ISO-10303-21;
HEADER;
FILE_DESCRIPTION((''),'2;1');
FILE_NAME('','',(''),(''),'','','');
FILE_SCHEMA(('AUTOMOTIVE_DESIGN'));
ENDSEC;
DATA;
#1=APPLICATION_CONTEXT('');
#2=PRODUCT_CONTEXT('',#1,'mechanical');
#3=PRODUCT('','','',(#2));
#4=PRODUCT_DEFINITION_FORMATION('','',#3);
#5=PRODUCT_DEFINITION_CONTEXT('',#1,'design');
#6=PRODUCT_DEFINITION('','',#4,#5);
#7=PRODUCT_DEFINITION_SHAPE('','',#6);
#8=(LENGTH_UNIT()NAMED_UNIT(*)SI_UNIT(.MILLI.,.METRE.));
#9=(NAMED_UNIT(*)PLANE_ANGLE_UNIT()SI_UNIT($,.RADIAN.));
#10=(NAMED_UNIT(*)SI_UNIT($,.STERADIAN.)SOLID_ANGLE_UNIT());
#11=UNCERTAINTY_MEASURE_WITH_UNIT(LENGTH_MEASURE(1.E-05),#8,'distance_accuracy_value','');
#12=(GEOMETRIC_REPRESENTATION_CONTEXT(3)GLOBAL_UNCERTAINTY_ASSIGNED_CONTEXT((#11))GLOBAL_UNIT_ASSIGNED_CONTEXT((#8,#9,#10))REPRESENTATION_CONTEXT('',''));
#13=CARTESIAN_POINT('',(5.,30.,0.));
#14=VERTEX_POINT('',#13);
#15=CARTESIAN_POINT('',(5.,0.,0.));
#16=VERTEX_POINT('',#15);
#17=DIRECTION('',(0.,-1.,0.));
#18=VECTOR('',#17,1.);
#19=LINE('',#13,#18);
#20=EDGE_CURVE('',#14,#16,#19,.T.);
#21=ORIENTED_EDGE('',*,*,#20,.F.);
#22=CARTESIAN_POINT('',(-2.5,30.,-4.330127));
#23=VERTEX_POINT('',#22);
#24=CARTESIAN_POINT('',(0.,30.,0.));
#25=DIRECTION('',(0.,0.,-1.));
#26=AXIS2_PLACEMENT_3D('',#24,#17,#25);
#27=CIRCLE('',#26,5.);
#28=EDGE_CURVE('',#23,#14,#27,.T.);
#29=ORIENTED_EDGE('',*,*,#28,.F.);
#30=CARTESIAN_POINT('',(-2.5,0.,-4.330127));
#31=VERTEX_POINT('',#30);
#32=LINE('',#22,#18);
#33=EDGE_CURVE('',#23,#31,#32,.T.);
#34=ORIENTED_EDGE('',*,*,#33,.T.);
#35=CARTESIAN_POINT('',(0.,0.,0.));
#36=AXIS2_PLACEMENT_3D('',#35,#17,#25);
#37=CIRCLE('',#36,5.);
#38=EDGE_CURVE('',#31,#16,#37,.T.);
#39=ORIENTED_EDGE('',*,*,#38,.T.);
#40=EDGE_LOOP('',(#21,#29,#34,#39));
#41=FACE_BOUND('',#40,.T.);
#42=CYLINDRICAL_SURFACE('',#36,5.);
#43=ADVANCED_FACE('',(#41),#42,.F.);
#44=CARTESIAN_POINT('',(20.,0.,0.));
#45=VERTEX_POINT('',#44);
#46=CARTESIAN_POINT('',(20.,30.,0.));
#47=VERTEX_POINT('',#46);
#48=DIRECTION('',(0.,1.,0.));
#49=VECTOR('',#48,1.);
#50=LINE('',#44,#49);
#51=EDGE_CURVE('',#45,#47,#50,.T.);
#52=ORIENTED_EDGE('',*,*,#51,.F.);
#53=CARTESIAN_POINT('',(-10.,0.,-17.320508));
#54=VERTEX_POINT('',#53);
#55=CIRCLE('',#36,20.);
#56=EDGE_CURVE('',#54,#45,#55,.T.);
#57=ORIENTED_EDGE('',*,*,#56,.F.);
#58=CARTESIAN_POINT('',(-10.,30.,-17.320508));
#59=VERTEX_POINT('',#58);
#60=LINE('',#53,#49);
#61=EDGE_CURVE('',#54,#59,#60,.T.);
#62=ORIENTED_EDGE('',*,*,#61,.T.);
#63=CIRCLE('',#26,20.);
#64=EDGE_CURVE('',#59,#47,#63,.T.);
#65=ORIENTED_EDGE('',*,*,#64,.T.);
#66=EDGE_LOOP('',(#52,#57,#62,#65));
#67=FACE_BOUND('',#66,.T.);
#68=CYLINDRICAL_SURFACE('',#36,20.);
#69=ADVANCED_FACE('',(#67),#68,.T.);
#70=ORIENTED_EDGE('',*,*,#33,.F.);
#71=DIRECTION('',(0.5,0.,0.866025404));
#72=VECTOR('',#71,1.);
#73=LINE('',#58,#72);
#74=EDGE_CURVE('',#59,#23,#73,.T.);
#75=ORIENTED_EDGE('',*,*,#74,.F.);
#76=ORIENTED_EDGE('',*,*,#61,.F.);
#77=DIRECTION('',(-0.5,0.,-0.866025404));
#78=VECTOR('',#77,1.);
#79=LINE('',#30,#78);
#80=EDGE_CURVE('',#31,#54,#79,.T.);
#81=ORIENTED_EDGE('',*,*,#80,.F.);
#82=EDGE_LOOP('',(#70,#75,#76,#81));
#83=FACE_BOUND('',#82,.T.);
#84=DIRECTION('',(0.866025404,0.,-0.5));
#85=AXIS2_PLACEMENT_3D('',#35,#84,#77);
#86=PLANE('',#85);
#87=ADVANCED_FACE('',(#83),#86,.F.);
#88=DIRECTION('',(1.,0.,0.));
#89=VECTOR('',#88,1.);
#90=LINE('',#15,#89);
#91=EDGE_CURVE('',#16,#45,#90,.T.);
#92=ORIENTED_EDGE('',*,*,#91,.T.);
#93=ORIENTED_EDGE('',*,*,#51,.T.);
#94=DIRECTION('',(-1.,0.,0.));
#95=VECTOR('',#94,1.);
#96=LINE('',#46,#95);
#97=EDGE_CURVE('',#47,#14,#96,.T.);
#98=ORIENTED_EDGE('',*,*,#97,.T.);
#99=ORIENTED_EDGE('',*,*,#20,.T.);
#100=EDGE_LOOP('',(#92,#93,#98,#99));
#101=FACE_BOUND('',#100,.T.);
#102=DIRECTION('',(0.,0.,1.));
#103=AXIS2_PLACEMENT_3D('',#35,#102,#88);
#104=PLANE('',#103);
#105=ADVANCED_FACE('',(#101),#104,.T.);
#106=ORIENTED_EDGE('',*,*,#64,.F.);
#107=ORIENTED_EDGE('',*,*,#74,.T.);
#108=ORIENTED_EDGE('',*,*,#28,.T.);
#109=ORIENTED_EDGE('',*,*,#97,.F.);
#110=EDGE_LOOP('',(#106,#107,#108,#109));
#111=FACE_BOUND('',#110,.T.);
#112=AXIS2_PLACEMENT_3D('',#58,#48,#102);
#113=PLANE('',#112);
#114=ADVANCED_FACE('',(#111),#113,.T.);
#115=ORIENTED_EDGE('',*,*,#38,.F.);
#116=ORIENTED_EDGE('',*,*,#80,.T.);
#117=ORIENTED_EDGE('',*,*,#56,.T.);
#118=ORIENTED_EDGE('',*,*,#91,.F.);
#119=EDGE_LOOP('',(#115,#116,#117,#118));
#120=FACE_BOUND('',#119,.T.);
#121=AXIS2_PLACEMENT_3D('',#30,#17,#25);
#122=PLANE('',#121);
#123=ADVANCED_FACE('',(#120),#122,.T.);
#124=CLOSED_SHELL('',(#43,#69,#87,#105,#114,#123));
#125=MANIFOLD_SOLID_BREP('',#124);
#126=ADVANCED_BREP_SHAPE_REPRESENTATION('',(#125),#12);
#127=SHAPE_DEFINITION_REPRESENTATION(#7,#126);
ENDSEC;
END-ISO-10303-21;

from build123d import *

# Parameters (mm, degrees)
SKETCH1_W      = 15
SKETCH1_H      = 30
REVOLVE1_ANGLE = 120


with BuildPart() as part:
    # Sketch1 → Revolve1 (revolve)
    with BuildSketch(Plane.XY):
        with Locations((12.5, 15)):
            Rectangle(SKETCH1_W, SKETCH1_H)
    revolve(axis=Axis((0, 0, 0), (0, 1, 0)), revolution_arc=REVOLVE1_ANGLE)


solid = part.part
